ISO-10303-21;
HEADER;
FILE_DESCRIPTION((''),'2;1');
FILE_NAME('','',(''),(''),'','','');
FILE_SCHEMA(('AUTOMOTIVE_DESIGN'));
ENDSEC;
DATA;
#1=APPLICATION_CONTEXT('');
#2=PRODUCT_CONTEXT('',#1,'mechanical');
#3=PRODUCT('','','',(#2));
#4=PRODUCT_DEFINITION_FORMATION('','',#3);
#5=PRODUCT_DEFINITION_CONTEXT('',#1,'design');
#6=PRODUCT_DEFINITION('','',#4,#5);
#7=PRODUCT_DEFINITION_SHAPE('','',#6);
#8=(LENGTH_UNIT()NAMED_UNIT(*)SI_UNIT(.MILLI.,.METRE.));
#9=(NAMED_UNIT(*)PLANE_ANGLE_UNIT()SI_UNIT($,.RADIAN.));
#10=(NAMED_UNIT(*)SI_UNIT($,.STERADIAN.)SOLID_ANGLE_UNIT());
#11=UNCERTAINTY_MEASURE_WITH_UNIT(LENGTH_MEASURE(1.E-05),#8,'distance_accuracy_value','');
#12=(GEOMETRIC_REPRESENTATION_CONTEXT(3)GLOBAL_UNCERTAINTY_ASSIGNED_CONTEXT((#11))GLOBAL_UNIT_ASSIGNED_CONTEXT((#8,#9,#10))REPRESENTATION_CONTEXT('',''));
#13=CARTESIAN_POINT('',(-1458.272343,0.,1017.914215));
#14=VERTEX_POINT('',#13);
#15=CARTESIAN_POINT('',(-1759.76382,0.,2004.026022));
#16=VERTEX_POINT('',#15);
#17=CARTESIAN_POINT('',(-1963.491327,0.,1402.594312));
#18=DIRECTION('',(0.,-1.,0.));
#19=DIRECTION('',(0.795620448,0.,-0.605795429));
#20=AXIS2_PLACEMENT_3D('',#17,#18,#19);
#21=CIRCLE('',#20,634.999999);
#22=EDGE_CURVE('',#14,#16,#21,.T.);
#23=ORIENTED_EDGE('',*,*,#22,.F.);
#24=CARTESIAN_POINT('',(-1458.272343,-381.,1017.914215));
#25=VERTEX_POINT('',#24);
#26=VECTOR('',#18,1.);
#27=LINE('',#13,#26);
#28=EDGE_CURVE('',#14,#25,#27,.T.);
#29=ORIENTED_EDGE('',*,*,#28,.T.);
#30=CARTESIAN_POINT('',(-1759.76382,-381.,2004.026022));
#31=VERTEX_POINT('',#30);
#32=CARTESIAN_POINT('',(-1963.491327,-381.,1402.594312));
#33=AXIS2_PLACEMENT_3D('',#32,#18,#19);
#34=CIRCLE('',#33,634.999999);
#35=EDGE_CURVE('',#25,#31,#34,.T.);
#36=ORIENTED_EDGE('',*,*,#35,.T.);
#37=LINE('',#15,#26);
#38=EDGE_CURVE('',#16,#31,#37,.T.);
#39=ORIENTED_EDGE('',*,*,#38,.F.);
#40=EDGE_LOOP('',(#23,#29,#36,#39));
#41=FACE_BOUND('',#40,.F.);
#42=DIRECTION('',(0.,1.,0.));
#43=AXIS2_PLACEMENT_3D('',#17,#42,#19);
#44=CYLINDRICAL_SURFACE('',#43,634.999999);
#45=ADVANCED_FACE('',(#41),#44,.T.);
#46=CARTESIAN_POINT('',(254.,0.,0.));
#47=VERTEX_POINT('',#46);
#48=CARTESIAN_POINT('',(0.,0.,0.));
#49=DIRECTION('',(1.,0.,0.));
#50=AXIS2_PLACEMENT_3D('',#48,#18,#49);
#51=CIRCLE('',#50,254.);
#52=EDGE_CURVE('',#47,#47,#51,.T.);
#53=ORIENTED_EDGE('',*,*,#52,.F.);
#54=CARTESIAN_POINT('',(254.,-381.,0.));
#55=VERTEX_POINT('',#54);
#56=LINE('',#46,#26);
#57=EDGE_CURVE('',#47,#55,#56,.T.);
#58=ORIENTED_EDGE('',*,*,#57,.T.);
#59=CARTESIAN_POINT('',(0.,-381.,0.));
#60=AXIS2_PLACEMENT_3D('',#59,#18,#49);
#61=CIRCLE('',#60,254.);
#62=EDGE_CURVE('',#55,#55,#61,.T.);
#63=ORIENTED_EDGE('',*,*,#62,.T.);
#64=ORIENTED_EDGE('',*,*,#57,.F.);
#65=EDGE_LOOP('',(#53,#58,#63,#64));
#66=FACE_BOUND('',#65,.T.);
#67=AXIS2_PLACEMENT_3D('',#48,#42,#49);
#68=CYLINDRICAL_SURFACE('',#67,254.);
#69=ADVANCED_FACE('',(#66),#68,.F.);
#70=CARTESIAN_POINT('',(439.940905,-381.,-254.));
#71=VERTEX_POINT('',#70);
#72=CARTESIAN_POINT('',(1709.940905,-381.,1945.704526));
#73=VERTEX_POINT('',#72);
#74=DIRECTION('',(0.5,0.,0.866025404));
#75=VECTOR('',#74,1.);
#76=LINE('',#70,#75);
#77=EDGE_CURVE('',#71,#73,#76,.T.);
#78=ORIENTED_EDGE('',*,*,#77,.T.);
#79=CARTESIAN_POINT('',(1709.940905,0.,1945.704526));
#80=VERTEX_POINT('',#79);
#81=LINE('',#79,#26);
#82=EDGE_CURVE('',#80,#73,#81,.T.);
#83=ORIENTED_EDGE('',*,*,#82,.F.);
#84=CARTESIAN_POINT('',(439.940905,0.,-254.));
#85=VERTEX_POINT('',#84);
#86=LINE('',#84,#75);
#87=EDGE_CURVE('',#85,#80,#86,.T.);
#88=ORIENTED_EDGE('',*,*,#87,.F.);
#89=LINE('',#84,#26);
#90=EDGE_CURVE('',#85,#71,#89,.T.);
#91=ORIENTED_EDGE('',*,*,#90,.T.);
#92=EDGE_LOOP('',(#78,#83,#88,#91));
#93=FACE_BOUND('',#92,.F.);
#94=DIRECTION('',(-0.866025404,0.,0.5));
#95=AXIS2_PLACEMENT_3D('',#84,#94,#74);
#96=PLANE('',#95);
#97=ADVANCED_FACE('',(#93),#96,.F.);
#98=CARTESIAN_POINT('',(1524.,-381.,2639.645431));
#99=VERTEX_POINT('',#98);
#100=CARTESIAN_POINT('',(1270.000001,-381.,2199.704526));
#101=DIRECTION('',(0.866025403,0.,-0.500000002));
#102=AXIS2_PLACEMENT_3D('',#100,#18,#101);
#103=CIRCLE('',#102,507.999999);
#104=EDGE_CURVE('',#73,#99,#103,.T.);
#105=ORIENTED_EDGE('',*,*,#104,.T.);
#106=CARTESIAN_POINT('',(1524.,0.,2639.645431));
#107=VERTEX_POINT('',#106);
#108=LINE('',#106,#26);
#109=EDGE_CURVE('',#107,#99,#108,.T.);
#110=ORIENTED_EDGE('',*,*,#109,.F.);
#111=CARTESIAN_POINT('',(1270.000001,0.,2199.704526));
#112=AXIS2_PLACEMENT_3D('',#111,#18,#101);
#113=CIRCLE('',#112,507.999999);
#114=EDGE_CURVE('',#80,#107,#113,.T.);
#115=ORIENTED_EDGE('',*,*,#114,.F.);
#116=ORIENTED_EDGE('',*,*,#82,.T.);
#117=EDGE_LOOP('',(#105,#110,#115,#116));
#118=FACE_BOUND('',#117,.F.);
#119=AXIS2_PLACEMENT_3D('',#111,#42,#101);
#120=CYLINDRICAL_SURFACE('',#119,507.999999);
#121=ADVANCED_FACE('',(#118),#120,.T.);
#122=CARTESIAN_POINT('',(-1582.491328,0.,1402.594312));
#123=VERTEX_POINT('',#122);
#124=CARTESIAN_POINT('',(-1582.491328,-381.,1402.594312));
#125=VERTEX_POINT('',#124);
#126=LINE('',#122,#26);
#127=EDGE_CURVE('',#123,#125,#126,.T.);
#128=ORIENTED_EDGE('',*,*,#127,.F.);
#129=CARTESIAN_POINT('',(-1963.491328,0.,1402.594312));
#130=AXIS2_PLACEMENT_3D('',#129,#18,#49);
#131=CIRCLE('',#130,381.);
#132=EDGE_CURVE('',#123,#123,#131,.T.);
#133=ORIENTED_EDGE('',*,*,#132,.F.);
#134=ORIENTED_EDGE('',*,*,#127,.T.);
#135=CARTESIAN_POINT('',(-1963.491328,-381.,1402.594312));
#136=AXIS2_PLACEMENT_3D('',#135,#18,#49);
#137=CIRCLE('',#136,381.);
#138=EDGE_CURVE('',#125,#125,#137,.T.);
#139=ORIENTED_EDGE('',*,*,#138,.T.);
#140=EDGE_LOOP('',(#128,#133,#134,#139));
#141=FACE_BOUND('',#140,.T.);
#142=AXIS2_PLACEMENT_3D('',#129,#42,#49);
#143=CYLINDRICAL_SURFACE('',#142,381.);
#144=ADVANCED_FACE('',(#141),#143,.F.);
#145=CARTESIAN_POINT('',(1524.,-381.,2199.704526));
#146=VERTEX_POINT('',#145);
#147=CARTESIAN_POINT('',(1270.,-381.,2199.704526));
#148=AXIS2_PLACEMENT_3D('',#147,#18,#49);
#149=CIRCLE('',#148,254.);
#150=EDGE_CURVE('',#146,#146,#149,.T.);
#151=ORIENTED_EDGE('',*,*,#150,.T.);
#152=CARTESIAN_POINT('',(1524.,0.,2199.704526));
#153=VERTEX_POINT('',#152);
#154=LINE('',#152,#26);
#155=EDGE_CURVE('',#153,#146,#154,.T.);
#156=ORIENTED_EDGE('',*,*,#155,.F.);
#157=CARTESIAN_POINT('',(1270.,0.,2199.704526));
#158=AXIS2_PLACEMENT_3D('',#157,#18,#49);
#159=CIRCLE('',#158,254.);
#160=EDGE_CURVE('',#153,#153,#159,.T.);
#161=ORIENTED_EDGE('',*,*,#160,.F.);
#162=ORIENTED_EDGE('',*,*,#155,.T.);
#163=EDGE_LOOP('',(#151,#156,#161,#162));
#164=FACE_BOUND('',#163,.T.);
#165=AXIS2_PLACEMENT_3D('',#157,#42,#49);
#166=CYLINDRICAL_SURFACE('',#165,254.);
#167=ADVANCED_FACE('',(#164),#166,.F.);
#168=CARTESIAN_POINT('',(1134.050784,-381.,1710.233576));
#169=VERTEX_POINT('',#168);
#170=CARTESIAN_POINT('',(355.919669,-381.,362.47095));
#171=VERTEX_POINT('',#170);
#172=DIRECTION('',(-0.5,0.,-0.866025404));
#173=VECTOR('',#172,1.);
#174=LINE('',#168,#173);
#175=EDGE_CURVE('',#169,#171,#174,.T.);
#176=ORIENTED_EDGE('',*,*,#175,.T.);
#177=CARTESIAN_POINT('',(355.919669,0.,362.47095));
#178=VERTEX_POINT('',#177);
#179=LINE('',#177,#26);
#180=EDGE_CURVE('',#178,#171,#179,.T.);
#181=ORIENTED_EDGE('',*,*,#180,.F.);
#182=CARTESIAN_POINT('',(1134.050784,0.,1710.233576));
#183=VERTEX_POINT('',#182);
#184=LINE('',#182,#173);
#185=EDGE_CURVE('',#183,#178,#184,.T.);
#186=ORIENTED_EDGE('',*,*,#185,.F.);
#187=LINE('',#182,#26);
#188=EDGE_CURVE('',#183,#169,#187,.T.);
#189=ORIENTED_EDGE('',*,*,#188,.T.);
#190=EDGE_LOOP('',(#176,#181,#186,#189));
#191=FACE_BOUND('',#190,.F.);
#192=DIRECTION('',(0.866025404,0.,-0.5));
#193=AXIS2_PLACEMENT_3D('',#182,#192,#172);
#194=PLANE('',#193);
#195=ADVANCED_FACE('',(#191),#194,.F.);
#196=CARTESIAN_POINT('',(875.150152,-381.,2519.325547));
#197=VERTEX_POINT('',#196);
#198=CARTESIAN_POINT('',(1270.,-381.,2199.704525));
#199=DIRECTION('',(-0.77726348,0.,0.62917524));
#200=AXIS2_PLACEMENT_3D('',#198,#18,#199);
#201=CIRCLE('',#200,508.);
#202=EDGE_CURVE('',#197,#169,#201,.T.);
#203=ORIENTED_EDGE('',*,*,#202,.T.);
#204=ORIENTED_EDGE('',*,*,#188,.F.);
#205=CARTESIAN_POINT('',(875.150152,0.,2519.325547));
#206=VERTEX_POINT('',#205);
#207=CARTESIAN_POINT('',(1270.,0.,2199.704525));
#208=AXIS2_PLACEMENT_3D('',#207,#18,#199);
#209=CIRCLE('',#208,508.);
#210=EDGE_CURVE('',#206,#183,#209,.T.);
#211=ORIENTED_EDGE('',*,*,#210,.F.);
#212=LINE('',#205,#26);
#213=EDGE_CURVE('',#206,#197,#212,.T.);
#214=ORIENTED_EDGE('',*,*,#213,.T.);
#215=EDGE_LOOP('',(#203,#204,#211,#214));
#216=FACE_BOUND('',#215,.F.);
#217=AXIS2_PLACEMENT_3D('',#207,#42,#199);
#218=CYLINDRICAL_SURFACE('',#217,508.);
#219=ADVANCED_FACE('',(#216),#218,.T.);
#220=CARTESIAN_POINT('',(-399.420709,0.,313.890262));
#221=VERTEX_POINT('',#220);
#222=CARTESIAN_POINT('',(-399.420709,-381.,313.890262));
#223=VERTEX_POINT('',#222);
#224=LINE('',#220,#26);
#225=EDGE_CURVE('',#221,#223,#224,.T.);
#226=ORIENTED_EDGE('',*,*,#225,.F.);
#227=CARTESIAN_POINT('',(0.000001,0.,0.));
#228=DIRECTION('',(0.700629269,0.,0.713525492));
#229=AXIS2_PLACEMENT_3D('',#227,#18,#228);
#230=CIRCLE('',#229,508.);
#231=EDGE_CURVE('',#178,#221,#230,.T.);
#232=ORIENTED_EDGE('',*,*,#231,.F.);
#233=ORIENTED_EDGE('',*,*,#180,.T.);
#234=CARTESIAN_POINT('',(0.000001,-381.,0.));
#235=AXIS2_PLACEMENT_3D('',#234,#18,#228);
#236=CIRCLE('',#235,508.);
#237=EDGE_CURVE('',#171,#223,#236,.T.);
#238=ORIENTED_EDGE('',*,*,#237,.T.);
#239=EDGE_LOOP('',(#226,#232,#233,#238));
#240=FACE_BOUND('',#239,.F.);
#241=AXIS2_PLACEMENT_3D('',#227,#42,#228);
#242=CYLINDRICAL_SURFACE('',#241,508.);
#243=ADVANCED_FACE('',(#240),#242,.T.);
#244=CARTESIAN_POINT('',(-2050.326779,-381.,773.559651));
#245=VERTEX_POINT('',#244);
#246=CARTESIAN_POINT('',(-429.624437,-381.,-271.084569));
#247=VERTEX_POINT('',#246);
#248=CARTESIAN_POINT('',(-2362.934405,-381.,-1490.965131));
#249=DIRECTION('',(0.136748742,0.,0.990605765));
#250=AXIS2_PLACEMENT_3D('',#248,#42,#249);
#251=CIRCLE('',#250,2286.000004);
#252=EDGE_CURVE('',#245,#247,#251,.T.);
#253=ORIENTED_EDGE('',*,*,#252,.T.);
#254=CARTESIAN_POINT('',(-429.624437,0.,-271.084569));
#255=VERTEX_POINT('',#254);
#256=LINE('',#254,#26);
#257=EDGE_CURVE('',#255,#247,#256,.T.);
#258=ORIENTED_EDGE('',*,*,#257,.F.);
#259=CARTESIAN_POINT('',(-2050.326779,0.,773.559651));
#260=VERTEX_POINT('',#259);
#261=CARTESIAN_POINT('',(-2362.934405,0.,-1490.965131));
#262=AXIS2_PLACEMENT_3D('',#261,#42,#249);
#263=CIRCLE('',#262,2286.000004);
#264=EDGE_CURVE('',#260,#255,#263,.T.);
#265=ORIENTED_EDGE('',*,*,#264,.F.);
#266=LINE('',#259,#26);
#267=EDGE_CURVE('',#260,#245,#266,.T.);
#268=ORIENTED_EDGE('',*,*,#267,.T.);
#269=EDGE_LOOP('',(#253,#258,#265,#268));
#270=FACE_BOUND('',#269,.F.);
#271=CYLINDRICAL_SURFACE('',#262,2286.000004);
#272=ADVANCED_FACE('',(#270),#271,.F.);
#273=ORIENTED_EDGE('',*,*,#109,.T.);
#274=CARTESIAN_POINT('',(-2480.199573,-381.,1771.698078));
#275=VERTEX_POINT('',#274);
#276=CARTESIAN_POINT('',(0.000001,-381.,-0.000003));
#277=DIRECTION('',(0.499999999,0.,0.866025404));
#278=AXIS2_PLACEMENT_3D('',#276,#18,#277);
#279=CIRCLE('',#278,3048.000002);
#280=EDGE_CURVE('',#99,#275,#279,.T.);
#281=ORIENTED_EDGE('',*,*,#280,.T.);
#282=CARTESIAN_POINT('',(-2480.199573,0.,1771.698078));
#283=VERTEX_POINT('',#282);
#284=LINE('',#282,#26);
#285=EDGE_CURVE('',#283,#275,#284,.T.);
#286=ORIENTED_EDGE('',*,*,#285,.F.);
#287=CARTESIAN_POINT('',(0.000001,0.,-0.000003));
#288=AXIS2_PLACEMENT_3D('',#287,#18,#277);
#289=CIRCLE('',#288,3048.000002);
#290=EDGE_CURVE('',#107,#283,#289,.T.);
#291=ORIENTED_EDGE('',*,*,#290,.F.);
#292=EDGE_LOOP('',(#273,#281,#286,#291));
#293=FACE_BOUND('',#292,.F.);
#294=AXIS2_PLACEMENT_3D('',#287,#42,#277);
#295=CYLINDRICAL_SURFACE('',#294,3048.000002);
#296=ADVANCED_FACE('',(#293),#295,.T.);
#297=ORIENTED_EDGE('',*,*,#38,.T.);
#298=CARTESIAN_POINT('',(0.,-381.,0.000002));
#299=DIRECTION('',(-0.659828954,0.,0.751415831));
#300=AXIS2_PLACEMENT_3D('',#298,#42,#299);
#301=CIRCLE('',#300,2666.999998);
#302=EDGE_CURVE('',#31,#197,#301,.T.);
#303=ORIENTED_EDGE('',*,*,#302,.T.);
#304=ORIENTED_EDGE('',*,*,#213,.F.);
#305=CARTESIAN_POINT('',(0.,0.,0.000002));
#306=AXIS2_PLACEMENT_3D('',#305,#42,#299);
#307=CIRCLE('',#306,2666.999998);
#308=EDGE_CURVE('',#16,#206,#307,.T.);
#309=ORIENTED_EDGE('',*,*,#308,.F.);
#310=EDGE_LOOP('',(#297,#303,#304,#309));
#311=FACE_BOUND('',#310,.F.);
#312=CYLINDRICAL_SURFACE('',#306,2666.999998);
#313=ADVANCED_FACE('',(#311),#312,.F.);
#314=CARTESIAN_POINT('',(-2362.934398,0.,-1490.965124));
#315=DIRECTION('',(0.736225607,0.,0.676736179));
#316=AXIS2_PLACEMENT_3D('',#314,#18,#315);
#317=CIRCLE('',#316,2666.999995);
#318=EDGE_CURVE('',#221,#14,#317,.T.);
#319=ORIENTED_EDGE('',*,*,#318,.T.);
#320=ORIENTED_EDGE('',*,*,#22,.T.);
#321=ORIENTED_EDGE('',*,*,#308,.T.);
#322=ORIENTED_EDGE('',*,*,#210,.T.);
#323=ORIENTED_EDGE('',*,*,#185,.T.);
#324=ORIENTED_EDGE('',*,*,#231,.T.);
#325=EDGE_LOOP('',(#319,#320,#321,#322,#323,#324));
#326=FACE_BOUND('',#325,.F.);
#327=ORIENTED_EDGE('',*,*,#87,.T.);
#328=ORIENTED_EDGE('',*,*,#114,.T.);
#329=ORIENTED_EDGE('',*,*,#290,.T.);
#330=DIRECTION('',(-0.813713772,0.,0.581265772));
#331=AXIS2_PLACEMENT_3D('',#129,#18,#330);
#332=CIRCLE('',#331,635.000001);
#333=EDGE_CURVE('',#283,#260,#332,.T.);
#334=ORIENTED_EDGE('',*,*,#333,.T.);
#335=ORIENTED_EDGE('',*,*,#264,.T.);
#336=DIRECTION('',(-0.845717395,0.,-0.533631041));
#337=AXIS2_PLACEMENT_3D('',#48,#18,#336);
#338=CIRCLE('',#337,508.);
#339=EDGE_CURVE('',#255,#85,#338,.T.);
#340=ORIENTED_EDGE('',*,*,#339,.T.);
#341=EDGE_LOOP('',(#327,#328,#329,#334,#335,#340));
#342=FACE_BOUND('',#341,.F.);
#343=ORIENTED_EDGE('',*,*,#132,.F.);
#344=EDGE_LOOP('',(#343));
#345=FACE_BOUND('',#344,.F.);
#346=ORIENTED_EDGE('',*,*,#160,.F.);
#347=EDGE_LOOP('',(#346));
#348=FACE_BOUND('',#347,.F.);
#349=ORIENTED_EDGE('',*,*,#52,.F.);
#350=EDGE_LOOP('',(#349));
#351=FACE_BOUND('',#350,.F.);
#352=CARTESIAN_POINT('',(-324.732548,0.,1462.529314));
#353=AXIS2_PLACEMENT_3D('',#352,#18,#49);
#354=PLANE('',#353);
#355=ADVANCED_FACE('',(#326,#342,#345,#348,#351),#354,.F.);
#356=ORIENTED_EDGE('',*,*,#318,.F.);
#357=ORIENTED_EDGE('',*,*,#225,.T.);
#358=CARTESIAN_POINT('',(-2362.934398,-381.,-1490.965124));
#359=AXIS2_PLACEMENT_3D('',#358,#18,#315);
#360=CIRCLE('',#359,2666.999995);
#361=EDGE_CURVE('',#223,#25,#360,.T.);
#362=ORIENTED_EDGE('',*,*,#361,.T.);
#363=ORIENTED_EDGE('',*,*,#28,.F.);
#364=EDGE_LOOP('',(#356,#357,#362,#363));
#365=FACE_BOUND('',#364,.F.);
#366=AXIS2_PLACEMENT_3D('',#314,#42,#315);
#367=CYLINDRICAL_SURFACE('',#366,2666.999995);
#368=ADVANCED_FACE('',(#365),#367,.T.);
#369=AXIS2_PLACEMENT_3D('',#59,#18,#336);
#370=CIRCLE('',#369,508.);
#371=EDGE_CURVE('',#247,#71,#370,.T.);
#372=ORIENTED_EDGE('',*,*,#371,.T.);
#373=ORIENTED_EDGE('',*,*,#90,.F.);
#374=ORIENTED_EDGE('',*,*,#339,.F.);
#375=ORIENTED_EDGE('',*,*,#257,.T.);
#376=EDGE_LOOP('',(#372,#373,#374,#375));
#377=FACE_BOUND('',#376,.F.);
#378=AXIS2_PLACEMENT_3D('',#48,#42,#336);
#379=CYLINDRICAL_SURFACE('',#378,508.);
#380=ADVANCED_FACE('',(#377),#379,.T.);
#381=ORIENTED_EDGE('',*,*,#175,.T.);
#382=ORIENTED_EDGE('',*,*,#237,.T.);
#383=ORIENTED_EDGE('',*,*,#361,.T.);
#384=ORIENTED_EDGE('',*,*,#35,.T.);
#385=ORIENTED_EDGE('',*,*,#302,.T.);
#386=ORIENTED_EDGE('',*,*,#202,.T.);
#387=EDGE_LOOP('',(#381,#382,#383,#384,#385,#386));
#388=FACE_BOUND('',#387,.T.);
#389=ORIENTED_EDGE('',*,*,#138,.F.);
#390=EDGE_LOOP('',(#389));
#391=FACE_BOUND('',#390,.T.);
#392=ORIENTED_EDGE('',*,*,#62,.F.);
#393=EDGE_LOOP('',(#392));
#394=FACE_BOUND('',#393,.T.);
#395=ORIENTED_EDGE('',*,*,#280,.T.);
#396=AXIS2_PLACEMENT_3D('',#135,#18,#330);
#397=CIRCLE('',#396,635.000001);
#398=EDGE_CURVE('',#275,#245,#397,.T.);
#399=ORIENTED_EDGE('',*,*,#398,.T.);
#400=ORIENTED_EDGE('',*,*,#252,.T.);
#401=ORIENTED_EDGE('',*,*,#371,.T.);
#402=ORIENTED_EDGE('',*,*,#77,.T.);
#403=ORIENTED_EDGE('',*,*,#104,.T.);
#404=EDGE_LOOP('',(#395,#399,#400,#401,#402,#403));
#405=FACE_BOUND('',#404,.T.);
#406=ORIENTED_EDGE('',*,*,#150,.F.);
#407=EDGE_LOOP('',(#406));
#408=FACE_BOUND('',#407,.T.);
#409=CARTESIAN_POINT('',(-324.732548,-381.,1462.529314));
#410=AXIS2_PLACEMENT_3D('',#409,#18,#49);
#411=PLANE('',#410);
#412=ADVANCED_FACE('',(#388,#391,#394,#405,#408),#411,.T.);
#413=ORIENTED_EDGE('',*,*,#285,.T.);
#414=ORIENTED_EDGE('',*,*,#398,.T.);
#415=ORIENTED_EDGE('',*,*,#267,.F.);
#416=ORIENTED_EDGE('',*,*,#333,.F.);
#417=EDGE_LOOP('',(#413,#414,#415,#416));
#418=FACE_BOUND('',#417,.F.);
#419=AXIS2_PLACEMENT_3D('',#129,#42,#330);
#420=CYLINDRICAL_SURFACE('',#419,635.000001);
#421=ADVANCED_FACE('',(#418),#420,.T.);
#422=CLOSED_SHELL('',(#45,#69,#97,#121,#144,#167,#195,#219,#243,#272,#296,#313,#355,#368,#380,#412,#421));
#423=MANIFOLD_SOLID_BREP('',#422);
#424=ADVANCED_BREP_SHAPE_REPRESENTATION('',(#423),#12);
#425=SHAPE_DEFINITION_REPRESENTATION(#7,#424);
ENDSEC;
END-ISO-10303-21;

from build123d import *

# Parameters (mm, degrees)
F0_R     = 254
F0_R_2   = 381
F1_DEPTH = 381


with BuildPart() as f1:
    # F0 (on Front) → F1 (new body)
    with BuildSketch(Plane.XZ):
        with BuildLine():
            ThreePointArc((1709.940905, 1945.704526), (1760.69032, 2331.184601), (1524, 2639.645431))
            ThreePointArc((1524, 2639.645431), (-645.687662, 2978.823835), (-2480.199573, 1771.698078))
            ThreePointArc((-2480.199573, 1771.698078), (-2546.703406, 1151.419727), (-2050.326779, 773.559651))
            ThreePointArc((-2050.326779, 773.559651), (-1124.444661, 430.47682), (-429.624437, -271.084569))
            ThreePointArc((-429.624437, -271.084569), (9.978878, -507.901981), (439.940905, -254))
            Line((439.940905, -254), (1709.940905, 1945.704526))
        make_face()
        Circle(F0_R, mode=Mode.SUBTRACT)
        with Locations((-1963.491328, 1402.594312)):
            Circle(F0_R_2, mode=Mode.SUBTRACT)
        with BuildLine():
            Line((1134.050784, 1710.233576), (355.919669, 362.47095))
            ThreePointArc((355.919669, 362.47095), (-32.605305, 506.952556), (-399.420709, 313.890262))
            ThreePointArc((-399.420709, 313.890262), (-886.275854, 729.928506), (-1458.272343, 1017.914215))
            ThreePointArc((-1458.272343, 1017.914215), (-1356.238986, 1588.254198), (-1759.76382, 2004.026022))
            ThreePointArc((-1759.76382, 2004.026022), (-511.877657, 2617.416716), (875.150152, 2519.325547))
            ThreePointArc((875.150152, 2519.325547), (786.167006, 2044.883229), (1134.050784, 1710.233576))
        make_face(mode=Mode.SUBTRACT)
        with Locations((1270, 2199.704526)):
            Circle(F0_R, mode=Mode.SUBTRACT)
    extrude(amount=F1_DEPTH)


solid = f1.part
